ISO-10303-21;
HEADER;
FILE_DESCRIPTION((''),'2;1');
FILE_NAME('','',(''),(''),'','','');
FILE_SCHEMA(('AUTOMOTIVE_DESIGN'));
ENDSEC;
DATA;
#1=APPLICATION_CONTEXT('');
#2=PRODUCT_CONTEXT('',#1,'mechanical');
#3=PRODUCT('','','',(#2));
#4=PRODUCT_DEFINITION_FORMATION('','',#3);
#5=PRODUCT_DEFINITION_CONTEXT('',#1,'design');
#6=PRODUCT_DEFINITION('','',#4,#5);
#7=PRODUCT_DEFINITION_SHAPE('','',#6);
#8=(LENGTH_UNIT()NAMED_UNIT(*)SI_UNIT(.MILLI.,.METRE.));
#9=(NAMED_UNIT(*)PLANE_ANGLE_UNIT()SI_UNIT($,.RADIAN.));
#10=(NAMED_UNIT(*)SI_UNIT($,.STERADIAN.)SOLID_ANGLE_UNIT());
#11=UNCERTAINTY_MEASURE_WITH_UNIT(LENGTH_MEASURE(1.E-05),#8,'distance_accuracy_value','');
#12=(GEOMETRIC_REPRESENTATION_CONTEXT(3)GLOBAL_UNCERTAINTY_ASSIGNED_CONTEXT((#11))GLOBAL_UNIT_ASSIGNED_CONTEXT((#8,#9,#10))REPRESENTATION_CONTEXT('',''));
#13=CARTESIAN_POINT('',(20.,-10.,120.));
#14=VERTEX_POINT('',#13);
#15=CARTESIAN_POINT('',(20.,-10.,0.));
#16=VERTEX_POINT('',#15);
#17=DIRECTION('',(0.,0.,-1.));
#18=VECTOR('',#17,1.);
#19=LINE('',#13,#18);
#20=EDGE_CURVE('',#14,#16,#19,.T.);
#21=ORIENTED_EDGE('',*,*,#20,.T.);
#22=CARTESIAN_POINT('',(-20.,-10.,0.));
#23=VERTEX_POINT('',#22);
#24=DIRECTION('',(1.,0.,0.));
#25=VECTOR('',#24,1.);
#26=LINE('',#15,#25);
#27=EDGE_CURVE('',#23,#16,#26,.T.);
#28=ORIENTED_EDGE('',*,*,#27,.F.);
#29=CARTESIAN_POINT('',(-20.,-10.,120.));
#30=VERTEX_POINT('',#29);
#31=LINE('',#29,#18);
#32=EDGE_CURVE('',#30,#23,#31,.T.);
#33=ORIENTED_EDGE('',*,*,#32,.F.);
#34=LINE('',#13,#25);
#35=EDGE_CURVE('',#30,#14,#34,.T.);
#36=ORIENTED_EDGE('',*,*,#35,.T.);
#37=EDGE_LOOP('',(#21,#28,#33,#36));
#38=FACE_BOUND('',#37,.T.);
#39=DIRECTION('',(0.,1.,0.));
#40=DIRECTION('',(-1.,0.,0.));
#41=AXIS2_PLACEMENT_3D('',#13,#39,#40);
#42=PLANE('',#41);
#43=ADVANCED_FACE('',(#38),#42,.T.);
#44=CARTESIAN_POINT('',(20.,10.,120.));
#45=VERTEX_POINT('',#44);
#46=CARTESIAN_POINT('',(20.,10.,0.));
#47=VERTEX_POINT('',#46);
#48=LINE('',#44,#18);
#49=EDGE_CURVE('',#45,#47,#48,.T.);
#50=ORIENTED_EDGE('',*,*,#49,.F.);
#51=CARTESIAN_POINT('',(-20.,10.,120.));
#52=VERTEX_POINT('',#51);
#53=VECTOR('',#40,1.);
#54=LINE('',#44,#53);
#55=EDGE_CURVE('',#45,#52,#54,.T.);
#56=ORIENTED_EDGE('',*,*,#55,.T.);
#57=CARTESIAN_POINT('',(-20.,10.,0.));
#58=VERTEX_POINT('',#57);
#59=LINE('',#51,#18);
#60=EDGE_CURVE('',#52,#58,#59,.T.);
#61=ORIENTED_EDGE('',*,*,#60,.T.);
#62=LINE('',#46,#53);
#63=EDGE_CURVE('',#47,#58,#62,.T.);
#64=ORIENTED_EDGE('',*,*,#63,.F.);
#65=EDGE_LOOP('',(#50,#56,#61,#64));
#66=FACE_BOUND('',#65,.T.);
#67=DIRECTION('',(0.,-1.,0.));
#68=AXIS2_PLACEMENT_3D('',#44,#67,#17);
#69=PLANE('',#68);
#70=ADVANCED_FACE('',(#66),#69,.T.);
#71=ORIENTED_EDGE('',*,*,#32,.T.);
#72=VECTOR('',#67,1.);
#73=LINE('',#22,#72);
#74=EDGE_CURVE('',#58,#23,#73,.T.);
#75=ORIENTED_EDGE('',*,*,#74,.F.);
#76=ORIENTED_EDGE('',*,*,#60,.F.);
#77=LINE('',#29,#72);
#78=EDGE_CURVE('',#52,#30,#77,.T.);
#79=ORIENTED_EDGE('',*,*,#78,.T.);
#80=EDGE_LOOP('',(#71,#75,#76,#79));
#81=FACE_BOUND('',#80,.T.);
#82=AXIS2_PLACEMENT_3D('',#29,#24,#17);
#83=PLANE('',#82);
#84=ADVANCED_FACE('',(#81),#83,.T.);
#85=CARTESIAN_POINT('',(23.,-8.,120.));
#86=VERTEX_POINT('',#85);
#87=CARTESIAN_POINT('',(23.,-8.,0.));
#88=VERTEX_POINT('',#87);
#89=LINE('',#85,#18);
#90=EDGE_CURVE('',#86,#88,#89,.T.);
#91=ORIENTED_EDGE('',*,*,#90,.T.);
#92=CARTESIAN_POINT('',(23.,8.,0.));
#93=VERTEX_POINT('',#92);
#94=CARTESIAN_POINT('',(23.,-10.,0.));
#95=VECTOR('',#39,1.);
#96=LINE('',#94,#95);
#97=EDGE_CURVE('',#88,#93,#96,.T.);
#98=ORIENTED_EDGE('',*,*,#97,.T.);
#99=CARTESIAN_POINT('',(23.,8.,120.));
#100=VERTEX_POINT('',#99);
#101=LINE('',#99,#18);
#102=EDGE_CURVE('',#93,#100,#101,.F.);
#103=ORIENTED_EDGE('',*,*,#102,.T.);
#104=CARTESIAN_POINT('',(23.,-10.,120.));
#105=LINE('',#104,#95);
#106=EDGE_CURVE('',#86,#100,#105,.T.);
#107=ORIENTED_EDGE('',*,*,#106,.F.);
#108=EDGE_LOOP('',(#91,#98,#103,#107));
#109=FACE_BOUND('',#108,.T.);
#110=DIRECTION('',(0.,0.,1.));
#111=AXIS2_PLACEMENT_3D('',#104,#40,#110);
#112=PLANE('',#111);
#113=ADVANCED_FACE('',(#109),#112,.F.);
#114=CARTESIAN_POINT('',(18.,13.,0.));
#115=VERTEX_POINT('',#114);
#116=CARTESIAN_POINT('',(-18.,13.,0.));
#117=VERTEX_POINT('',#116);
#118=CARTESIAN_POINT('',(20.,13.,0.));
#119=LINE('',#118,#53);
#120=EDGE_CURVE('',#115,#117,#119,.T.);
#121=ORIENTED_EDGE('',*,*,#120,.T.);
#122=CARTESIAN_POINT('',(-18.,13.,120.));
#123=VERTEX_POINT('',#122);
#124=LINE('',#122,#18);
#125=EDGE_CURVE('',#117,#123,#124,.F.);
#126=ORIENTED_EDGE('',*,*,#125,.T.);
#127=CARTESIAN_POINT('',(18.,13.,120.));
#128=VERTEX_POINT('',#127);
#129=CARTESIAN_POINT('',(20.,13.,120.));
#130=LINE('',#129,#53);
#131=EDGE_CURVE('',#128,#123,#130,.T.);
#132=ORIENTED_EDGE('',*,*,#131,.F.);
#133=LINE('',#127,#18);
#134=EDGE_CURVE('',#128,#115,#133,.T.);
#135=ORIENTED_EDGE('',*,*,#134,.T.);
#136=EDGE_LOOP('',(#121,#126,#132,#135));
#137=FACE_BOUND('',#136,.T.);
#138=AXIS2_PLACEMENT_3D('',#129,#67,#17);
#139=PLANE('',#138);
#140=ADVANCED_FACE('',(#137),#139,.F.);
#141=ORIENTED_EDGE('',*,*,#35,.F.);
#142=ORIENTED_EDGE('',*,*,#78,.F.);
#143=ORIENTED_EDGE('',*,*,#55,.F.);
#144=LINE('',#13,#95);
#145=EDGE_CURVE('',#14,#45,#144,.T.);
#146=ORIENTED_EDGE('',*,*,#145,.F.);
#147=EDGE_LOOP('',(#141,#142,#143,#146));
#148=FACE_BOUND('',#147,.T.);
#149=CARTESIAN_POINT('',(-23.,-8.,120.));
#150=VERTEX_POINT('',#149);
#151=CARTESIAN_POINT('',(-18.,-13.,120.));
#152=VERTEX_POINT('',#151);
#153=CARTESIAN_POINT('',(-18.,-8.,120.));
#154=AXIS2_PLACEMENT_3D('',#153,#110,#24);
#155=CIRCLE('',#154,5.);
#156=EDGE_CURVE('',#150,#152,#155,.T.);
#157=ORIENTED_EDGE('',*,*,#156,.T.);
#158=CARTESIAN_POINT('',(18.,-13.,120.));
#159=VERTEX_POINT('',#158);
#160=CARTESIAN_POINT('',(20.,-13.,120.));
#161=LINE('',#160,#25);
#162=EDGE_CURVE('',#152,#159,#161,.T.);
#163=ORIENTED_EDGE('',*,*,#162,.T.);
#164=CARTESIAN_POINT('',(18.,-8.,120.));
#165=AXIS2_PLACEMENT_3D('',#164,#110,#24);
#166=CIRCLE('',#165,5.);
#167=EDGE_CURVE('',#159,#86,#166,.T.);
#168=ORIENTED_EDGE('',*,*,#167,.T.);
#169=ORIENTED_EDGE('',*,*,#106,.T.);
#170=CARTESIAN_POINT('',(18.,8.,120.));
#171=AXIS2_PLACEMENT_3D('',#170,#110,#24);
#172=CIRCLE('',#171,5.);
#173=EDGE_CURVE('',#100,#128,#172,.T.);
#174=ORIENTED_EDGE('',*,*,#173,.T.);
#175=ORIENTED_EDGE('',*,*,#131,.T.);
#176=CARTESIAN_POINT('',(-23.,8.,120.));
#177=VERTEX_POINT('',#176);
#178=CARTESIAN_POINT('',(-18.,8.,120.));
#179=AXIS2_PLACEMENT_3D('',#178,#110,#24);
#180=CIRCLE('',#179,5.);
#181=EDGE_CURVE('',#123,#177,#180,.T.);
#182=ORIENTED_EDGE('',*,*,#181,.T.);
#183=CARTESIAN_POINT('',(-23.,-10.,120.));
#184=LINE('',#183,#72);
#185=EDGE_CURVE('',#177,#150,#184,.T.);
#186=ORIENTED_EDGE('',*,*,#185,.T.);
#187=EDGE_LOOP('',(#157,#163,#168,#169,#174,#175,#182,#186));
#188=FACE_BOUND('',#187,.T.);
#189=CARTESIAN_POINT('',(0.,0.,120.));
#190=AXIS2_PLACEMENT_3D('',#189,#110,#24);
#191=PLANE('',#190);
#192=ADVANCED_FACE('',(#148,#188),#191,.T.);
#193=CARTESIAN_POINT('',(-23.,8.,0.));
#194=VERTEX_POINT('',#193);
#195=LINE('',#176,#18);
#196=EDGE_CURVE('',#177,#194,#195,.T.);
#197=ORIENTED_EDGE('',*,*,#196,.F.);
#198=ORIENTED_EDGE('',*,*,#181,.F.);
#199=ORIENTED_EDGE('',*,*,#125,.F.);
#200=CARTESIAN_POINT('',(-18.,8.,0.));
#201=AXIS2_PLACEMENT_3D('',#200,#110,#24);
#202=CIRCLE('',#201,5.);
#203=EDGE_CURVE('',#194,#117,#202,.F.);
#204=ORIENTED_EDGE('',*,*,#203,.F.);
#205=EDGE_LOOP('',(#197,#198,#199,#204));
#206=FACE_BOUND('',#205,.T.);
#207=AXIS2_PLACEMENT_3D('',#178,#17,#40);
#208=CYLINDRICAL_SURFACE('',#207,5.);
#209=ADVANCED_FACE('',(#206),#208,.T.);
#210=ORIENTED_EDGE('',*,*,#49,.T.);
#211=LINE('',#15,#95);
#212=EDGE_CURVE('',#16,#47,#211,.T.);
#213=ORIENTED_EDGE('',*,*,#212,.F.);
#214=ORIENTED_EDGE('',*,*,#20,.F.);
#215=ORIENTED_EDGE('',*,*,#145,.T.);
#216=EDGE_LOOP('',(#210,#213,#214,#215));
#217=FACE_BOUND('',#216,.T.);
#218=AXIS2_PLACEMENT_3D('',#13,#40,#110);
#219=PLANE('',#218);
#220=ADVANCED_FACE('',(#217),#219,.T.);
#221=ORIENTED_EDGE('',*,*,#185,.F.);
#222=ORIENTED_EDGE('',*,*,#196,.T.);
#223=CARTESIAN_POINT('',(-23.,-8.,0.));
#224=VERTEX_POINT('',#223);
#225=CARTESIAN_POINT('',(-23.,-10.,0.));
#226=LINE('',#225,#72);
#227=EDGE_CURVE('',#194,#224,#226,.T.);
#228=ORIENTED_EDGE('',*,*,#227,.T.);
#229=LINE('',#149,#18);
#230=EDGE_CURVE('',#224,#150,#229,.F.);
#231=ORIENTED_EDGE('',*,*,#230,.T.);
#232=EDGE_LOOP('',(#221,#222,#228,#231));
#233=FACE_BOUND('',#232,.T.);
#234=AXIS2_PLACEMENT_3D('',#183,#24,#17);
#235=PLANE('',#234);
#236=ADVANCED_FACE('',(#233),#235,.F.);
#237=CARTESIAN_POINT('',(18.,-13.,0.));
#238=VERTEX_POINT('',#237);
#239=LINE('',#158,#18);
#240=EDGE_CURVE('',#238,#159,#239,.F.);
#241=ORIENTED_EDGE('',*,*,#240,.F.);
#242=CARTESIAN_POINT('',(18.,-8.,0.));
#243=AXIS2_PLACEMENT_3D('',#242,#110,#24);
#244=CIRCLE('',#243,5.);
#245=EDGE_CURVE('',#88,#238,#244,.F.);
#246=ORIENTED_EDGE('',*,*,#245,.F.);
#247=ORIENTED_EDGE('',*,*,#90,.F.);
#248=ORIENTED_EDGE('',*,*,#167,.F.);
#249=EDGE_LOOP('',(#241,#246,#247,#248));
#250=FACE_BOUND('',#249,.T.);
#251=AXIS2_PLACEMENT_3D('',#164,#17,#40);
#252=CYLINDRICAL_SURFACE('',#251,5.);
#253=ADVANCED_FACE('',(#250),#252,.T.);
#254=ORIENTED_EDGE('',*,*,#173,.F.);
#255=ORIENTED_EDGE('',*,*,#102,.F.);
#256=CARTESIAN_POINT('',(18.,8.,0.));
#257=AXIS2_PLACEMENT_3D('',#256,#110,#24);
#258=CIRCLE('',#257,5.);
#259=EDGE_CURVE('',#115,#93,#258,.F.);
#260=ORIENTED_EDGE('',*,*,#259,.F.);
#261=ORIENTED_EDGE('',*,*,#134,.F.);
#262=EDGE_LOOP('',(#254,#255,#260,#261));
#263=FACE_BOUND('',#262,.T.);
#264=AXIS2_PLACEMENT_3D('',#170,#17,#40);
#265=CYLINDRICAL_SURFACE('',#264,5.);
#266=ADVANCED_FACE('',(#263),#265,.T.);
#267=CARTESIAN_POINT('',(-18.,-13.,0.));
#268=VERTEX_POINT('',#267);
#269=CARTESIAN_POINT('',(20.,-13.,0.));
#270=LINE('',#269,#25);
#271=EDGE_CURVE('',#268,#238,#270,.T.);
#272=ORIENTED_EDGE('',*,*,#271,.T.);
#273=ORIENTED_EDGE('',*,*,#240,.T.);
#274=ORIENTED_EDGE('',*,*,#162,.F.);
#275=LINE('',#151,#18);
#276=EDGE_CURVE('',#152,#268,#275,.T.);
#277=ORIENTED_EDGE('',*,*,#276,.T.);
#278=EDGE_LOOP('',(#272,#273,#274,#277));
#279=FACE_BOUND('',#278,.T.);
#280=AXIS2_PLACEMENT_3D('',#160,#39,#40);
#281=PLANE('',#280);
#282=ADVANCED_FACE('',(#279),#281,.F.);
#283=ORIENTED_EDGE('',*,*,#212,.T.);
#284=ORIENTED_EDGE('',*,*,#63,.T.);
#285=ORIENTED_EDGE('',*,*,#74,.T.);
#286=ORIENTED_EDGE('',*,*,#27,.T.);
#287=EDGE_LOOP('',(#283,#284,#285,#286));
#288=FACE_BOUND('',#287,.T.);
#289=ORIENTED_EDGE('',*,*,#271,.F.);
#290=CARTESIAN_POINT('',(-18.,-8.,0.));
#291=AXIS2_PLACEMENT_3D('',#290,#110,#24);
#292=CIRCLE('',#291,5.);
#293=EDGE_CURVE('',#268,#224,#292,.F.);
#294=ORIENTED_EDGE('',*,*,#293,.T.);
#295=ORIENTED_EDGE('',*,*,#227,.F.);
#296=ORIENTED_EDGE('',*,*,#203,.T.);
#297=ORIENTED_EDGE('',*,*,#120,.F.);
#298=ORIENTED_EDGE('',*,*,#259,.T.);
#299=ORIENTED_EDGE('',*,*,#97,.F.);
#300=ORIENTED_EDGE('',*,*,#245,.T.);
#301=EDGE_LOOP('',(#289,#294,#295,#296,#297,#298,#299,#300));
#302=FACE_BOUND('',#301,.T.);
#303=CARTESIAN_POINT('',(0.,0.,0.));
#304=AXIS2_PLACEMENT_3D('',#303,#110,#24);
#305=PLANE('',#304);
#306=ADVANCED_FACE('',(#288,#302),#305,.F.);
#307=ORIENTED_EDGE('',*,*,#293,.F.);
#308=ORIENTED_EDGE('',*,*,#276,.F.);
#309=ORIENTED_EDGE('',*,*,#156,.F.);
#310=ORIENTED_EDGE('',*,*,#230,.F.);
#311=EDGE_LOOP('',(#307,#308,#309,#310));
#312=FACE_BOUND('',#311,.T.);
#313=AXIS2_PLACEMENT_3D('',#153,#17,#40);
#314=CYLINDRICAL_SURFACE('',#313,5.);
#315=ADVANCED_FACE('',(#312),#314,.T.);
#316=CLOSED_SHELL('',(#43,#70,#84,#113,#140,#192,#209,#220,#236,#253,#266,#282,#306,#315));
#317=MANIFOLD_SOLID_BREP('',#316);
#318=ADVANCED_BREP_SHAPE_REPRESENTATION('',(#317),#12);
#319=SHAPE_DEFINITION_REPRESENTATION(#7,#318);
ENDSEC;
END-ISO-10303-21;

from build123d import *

# Parameters (mm, degrees)
SKETCH1_W           = 46
SKETCH1_H           = 26
SKETCH1_W_2         = 40
SKETCH1_H_2         = 20
EXTRUDE_THIN1_DEPTH = 120
FILLET2_R           = 5


with BuildPart() as part:
    # Sketch1 → Extrude-Thin1 (new body)
    with BuildSketch(Plane.XY):
        Rectangle(SKETCH1_W, SKETCH1_H)
        Rectangle(SKETCH1_W_2, SKETCH1_H_2, mode=Mode.SUBTRACT)
    extrude(amount=EXTRUDE_THIN1_DEPTH)

    # Fillet2
    fillet2_edges = [part.edges().sort_by_distance(p)[0] for p in [
        (-23, 13, 60),
        (23, 13, 60),
        (23, -13, 60),
        (-23, -13, 60),
    ]]
    fillet(fillet2_edges, radius=FILLET2_R)


solid = part.part
